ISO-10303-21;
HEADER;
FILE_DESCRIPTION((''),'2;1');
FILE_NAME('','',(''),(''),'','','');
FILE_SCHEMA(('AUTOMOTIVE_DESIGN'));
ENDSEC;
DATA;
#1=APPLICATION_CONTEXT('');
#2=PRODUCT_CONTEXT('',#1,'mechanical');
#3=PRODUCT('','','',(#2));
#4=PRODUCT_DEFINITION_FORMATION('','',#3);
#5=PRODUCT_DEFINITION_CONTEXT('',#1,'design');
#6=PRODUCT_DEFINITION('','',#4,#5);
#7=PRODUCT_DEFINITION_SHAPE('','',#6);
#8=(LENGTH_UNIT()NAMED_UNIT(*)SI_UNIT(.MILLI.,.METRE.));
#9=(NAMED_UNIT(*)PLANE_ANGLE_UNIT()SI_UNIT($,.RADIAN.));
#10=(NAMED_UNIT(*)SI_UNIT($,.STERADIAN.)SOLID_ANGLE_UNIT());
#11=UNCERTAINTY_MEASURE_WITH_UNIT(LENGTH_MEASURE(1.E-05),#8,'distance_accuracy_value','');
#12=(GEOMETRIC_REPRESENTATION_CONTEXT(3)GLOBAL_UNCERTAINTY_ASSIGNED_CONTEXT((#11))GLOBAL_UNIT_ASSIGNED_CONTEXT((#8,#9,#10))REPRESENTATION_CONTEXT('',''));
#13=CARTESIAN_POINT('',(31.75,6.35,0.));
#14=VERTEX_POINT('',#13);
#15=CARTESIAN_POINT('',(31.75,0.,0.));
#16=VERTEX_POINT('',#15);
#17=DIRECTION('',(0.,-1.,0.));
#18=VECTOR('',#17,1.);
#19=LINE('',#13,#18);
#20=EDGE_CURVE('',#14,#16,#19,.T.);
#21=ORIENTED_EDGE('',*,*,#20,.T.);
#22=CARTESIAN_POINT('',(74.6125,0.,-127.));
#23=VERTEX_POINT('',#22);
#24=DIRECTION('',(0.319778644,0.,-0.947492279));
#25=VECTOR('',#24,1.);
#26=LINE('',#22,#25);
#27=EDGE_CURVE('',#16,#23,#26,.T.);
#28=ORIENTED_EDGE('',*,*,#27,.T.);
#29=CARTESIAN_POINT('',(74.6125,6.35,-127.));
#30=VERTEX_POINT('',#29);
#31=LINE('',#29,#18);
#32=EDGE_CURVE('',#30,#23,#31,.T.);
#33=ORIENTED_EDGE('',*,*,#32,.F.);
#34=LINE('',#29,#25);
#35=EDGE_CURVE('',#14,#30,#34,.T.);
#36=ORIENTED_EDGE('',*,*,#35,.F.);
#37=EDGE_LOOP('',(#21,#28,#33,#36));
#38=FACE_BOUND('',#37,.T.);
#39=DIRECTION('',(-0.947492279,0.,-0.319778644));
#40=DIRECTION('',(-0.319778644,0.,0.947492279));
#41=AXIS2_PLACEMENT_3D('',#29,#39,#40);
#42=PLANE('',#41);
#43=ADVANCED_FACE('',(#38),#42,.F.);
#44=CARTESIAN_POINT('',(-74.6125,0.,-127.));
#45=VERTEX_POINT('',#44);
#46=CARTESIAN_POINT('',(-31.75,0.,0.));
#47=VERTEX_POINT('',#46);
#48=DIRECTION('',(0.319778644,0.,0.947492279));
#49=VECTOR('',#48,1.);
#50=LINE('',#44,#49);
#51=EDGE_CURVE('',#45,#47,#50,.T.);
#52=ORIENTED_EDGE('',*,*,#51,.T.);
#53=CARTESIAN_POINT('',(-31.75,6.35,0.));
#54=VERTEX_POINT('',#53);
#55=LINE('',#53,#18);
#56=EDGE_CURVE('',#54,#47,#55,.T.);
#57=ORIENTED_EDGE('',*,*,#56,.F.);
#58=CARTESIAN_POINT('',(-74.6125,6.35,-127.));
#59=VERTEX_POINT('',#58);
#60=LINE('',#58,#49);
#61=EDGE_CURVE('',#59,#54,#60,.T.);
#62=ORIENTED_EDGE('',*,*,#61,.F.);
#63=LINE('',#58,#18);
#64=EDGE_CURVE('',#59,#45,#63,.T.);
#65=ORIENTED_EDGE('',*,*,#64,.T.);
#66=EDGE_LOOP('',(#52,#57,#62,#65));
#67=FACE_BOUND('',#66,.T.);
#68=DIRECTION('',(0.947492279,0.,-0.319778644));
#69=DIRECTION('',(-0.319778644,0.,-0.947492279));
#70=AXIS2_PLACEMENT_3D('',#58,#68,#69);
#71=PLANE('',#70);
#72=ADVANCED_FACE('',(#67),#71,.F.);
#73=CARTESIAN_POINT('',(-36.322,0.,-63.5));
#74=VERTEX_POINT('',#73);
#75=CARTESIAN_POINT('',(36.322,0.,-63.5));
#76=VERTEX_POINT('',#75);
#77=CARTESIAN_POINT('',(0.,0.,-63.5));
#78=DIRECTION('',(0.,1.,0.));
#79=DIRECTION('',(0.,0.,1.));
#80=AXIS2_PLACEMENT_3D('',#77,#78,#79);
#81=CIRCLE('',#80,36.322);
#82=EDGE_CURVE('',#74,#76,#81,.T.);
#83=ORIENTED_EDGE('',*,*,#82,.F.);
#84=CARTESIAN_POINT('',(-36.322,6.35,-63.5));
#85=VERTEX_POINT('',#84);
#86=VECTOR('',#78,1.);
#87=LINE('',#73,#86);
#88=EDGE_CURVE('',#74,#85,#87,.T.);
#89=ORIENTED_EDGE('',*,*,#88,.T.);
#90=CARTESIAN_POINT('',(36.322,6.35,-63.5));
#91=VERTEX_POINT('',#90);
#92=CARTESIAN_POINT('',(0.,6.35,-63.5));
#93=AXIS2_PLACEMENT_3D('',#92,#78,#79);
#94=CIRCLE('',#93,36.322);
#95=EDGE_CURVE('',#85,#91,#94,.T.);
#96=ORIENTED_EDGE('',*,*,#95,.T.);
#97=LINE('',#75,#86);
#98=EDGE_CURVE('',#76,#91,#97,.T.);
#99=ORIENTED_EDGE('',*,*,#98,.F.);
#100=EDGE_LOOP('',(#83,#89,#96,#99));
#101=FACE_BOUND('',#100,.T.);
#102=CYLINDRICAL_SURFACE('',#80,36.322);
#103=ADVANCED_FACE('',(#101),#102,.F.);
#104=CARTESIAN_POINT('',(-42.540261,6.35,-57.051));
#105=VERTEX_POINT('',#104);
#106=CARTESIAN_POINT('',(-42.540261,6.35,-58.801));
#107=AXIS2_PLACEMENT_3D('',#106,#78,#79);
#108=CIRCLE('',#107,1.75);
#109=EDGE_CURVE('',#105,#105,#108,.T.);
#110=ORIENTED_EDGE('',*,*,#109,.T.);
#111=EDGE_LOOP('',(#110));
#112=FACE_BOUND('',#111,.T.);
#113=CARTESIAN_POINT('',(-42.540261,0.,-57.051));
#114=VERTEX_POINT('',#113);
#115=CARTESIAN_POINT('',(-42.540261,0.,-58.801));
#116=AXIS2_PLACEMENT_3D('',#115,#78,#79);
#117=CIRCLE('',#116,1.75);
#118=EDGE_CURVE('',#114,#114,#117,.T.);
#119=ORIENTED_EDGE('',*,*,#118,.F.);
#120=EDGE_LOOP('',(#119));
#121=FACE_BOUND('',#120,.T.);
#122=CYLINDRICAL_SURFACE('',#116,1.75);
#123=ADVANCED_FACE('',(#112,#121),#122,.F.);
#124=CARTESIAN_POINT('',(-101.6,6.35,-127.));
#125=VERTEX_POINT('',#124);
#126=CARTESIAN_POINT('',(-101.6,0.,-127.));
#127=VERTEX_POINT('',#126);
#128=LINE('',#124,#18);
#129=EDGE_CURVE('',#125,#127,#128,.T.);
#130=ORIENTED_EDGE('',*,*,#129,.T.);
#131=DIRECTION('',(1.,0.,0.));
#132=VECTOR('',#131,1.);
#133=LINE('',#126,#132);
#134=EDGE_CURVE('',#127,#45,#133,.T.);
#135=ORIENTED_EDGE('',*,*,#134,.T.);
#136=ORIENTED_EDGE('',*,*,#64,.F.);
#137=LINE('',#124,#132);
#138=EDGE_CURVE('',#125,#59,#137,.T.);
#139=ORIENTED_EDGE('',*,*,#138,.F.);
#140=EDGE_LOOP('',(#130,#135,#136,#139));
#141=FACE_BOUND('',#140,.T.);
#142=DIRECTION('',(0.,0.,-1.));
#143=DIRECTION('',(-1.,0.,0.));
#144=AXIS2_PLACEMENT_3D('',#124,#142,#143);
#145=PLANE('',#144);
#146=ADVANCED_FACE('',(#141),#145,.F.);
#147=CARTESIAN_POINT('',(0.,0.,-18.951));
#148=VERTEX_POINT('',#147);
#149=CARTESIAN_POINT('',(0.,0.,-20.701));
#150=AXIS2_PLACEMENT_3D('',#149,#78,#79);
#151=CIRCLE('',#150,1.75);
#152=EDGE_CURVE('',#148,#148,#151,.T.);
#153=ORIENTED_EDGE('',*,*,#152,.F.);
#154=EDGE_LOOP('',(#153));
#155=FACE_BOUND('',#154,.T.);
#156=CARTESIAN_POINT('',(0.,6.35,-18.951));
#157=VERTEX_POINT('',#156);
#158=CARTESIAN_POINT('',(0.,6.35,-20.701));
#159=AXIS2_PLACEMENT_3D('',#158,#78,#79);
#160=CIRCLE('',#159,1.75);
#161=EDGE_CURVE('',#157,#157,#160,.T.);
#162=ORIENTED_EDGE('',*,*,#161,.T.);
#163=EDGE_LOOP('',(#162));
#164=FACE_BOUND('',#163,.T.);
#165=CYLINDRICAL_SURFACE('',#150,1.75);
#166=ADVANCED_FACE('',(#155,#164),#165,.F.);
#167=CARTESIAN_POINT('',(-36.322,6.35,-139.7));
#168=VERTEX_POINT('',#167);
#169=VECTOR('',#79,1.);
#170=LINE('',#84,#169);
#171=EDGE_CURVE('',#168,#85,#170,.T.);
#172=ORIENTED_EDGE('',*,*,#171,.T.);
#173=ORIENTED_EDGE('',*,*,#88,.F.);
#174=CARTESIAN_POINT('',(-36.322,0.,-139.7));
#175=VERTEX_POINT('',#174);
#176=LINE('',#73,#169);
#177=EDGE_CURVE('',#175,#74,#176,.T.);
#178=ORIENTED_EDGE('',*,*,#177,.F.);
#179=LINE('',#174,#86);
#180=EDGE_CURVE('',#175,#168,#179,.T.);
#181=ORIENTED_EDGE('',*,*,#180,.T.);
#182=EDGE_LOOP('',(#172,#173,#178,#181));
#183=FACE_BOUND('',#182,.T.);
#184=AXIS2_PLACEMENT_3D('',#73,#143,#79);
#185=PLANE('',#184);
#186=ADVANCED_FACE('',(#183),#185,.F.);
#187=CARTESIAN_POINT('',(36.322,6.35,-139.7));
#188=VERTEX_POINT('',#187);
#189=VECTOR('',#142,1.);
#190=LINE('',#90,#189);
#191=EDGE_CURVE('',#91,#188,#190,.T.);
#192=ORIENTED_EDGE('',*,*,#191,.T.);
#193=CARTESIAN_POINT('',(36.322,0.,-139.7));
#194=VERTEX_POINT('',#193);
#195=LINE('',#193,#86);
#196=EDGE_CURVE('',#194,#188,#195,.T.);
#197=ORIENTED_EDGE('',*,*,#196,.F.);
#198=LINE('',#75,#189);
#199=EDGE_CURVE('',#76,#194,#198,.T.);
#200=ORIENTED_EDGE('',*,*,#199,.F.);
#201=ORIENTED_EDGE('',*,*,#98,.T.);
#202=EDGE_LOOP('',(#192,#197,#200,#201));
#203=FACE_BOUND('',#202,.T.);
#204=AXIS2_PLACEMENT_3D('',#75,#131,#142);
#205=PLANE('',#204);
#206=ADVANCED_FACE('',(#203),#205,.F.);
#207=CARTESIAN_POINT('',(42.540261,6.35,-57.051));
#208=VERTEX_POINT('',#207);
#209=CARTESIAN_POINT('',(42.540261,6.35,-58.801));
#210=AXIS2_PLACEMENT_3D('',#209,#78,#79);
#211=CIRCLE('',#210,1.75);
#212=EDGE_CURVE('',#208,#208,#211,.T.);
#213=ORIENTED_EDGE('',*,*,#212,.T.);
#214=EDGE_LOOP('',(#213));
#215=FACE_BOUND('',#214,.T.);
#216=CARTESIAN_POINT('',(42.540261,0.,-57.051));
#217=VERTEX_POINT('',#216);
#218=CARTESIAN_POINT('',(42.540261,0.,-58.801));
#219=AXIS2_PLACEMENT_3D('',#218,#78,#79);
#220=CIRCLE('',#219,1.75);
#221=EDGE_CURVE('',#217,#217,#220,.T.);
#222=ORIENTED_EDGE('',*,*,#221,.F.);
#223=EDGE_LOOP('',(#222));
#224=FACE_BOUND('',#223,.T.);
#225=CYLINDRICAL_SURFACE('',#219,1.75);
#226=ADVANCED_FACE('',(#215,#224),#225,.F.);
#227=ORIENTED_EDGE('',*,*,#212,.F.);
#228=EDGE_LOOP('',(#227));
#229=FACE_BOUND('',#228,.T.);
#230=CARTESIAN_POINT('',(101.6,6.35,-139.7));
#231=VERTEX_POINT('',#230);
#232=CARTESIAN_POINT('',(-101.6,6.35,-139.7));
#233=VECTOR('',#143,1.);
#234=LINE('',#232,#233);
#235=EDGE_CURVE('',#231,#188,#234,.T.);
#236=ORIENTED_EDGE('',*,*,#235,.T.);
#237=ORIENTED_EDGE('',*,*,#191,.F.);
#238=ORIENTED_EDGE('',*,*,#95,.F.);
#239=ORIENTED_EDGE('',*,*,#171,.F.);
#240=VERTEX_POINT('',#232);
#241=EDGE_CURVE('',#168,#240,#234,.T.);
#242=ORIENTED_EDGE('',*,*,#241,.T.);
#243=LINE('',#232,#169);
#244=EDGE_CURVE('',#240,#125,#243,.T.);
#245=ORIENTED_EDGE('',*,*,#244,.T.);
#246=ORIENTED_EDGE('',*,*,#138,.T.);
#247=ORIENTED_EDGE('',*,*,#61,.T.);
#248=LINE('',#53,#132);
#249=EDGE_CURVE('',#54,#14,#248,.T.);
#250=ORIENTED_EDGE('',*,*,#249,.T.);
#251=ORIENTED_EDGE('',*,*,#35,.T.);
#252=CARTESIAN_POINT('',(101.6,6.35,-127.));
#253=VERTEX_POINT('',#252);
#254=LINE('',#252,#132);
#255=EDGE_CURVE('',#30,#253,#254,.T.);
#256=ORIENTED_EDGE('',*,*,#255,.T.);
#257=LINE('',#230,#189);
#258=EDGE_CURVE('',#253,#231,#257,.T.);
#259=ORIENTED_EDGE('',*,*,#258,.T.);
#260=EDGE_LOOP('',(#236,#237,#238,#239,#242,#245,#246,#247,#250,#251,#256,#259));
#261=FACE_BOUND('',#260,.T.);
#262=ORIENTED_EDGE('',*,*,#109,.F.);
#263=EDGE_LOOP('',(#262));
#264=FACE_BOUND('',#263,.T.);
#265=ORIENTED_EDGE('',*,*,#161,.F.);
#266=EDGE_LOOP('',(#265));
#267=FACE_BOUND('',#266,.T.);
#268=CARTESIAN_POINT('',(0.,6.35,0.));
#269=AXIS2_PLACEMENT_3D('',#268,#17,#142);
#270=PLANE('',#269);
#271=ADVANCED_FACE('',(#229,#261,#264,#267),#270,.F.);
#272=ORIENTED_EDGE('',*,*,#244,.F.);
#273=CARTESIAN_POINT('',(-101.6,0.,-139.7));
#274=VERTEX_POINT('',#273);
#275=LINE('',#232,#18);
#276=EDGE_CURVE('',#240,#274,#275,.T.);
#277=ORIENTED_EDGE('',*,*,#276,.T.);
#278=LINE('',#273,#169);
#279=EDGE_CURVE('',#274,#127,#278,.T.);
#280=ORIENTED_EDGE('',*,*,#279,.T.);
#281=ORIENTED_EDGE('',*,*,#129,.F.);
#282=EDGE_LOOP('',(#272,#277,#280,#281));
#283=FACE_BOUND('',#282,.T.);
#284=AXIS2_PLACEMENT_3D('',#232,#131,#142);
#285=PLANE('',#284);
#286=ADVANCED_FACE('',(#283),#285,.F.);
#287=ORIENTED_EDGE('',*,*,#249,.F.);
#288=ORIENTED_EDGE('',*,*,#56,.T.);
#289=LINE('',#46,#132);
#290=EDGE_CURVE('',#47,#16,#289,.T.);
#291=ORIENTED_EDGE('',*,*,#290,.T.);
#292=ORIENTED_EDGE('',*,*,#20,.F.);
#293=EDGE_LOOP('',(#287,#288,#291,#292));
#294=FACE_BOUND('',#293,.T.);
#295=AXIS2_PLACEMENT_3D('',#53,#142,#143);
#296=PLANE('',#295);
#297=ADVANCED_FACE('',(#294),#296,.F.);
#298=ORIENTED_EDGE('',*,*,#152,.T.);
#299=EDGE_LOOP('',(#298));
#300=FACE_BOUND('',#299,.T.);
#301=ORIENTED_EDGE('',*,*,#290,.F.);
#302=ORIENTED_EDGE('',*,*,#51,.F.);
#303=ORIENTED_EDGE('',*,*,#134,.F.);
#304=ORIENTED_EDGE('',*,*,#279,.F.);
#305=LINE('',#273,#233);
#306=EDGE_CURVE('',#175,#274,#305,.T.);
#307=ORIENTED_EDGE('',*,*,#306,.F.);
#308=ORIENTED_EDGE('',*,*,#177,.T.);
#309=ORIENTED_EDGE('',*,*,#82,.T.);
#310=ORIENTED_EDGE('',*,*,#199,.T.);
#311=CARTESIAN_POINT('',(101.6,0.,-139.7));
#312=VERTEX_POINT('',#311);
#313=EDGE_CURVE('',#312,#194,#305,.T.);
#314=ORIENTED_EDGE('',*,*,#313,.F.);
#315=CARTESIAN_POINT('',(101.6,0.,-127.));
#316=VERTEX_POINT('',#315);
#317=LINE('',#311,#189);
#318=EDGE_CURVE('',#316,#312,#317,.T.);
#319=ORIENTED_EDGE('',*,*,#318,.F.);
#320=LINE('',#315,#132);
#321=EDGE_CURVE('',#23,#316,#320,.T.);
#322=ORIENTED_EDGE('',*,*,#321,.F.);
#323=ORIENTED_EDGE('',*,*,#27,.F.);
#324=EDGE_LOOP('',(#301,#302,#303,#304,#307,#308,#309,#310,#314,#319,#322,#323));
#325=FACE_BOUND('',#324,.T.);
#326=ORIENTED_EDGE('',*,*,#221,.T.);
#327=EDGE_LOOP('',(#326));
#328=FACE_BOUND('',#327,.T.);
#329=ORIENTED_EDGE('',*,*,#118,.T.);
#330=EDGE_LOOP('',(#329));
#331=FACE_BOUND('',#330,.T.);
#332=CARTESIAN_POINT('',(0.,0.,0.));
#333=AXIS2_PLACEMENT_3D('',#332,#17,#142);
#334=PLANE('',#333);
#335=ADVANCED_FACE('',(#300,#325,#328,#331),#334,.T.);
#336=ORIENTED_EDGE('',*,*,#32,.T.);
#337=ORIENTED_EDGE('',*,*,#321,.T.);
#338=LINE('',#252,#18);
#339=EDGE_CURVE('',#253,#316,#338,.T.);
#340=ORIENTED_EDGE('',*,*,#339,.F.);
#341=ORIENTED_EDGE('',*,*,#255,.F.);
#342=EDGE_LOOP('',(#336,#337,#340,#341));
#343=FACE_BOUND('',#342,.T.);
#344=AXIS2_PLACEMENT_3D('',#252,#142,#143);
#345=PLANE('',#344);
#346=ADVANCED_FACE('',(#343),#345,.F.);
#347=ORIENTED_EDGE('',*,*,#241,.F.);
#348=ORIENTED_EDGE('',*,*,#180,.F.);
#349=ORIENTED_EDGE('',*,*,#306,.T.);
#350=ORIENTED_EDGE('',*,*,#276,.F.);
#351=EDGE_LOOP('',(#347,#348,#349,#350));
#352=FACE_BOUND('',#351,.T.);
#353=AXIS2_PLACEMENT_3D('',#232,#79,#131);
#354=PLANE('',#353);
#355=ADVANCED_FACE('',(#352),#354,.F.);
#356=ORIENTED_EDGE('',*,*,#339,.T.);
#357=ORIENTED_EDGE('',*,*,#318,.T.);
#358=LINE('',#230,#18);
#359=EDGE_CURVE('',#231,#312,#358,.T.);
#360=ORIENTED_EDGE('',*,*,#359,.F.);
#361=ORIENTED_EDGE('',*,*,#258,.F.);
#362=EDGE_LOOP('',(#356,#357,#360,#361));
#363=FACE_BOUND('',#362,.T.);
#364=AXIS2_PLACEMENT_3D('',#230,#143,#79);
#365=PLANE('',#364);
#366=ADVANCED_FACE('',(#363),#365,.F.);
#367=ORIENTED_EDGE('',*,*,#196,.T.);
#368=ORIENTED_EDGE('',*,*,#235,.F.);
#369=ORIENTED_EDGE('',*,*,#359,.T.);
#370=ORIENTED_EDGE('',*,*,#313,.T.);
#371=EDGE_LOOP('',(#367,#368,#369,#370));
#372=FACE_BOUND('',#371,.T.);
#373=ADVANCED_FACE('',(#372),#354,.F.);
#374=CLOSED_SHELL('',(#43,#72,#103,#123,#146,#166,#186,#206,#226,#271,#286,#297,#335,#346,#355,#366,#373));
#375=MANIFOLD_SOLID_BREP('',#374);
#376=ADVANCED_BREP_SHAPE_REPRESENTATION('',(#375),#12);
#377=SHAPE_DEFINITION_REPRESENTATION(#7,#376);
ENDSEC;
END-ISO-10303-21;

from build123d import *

# Parameters (mm, degrees)
BOSS_EXTRU_1_DEPTH      = 6.35
ESQUISSE3_R             = 36.322
ENL_V_MAT_EXTRU_2_DEPTH = 173.855351378
ENL_V_MAT_EXTRU_5_DEPTH = 6.35
ESQUISSE7_R             = 1.75
ENL_V_MAT_EXTRU_6_DEPTH = 6.35


with BuildPart() as part:
    # Esquisse1 → Boss.-Extru.1 (new body)
    with BuildSketch(Plane(origin=(0, 0, 0), x_dir=(1, 0, 0), z_dir=(0, 1, 0))):
        Polygon((-101.6, 139.7), (-101.6, 127), (-74.6125, 127), (-31.75, 0), (31.75, 0), (74.6125, 127), (101.6, 127), (101.6, 139.7), align=None)
    extrude(amount=BOSS_EXTRU_1_DEPTH)

    # Esquisse3 → Enlèv. mat.-Extru.2 (cut, through all)
    with BuildSketch(Plane(origin=(0, 6.35, 0), x_dir=(1, 0, 0), z_dir=(0, 1, 0))):
        with Locations(Location((0, 63.5, 0), (0, 0, 270))):
            Circle(ESQUISSE3_R)
    extrude(amount=-ENL_V_MAT_EXTRU_2_DEPTH, mode=Mode.SUBTRACT)

    # Esquisse6 → Enlèv. mat.-Extru.5 (cut)
    with BuildSketch(Plane(origin=(0, 6.35, 0), x_dir=(1, 0, 0), z_dir=(0, 1, 0))):
        with BuildLine():
            Line((-36.322, 63.5), (-36.322, 139.7))
            Line((-36.322, 139.7), (36.322, 139.7))
            Line((36.322, 139.7), (36.322, 63.5))
            ThreePointArc((36.322, 63.5), (0, 99.822), (-36.322, 63.5))
        make_face()
    extrude(amount=-ENL_V_MAT_EXTRU_5_DEPTH, mode=Mode.SUBTRACT)

    # Esquisse7 → Enlèv. mat.-Extru.6 (cut)
    with BuildSketch(Plane(origin=(0, 6.35, 0), x_dir=(1, 0, 0), z_dir=(0, 1, 0))):
        with Locations(Location((0, 20.701, 0), (0, 0, 270))):
            Circle(ESQUISSE7_R)
        with Locations(Location((42.54026093, 58.801, 0), (0, 0, 270))):
            Circle(ESQUISSE7_R)
        with Locations(Location((-42.54026093, 58.801, 0), (0, 0, 270))):
            Circle(ESQUISSE7_R)
    extrude(amount=-ENL_V_MAT_EXTRU_6_DEPTH, mode=Mode.SUBTRACT)


solid = part.part
